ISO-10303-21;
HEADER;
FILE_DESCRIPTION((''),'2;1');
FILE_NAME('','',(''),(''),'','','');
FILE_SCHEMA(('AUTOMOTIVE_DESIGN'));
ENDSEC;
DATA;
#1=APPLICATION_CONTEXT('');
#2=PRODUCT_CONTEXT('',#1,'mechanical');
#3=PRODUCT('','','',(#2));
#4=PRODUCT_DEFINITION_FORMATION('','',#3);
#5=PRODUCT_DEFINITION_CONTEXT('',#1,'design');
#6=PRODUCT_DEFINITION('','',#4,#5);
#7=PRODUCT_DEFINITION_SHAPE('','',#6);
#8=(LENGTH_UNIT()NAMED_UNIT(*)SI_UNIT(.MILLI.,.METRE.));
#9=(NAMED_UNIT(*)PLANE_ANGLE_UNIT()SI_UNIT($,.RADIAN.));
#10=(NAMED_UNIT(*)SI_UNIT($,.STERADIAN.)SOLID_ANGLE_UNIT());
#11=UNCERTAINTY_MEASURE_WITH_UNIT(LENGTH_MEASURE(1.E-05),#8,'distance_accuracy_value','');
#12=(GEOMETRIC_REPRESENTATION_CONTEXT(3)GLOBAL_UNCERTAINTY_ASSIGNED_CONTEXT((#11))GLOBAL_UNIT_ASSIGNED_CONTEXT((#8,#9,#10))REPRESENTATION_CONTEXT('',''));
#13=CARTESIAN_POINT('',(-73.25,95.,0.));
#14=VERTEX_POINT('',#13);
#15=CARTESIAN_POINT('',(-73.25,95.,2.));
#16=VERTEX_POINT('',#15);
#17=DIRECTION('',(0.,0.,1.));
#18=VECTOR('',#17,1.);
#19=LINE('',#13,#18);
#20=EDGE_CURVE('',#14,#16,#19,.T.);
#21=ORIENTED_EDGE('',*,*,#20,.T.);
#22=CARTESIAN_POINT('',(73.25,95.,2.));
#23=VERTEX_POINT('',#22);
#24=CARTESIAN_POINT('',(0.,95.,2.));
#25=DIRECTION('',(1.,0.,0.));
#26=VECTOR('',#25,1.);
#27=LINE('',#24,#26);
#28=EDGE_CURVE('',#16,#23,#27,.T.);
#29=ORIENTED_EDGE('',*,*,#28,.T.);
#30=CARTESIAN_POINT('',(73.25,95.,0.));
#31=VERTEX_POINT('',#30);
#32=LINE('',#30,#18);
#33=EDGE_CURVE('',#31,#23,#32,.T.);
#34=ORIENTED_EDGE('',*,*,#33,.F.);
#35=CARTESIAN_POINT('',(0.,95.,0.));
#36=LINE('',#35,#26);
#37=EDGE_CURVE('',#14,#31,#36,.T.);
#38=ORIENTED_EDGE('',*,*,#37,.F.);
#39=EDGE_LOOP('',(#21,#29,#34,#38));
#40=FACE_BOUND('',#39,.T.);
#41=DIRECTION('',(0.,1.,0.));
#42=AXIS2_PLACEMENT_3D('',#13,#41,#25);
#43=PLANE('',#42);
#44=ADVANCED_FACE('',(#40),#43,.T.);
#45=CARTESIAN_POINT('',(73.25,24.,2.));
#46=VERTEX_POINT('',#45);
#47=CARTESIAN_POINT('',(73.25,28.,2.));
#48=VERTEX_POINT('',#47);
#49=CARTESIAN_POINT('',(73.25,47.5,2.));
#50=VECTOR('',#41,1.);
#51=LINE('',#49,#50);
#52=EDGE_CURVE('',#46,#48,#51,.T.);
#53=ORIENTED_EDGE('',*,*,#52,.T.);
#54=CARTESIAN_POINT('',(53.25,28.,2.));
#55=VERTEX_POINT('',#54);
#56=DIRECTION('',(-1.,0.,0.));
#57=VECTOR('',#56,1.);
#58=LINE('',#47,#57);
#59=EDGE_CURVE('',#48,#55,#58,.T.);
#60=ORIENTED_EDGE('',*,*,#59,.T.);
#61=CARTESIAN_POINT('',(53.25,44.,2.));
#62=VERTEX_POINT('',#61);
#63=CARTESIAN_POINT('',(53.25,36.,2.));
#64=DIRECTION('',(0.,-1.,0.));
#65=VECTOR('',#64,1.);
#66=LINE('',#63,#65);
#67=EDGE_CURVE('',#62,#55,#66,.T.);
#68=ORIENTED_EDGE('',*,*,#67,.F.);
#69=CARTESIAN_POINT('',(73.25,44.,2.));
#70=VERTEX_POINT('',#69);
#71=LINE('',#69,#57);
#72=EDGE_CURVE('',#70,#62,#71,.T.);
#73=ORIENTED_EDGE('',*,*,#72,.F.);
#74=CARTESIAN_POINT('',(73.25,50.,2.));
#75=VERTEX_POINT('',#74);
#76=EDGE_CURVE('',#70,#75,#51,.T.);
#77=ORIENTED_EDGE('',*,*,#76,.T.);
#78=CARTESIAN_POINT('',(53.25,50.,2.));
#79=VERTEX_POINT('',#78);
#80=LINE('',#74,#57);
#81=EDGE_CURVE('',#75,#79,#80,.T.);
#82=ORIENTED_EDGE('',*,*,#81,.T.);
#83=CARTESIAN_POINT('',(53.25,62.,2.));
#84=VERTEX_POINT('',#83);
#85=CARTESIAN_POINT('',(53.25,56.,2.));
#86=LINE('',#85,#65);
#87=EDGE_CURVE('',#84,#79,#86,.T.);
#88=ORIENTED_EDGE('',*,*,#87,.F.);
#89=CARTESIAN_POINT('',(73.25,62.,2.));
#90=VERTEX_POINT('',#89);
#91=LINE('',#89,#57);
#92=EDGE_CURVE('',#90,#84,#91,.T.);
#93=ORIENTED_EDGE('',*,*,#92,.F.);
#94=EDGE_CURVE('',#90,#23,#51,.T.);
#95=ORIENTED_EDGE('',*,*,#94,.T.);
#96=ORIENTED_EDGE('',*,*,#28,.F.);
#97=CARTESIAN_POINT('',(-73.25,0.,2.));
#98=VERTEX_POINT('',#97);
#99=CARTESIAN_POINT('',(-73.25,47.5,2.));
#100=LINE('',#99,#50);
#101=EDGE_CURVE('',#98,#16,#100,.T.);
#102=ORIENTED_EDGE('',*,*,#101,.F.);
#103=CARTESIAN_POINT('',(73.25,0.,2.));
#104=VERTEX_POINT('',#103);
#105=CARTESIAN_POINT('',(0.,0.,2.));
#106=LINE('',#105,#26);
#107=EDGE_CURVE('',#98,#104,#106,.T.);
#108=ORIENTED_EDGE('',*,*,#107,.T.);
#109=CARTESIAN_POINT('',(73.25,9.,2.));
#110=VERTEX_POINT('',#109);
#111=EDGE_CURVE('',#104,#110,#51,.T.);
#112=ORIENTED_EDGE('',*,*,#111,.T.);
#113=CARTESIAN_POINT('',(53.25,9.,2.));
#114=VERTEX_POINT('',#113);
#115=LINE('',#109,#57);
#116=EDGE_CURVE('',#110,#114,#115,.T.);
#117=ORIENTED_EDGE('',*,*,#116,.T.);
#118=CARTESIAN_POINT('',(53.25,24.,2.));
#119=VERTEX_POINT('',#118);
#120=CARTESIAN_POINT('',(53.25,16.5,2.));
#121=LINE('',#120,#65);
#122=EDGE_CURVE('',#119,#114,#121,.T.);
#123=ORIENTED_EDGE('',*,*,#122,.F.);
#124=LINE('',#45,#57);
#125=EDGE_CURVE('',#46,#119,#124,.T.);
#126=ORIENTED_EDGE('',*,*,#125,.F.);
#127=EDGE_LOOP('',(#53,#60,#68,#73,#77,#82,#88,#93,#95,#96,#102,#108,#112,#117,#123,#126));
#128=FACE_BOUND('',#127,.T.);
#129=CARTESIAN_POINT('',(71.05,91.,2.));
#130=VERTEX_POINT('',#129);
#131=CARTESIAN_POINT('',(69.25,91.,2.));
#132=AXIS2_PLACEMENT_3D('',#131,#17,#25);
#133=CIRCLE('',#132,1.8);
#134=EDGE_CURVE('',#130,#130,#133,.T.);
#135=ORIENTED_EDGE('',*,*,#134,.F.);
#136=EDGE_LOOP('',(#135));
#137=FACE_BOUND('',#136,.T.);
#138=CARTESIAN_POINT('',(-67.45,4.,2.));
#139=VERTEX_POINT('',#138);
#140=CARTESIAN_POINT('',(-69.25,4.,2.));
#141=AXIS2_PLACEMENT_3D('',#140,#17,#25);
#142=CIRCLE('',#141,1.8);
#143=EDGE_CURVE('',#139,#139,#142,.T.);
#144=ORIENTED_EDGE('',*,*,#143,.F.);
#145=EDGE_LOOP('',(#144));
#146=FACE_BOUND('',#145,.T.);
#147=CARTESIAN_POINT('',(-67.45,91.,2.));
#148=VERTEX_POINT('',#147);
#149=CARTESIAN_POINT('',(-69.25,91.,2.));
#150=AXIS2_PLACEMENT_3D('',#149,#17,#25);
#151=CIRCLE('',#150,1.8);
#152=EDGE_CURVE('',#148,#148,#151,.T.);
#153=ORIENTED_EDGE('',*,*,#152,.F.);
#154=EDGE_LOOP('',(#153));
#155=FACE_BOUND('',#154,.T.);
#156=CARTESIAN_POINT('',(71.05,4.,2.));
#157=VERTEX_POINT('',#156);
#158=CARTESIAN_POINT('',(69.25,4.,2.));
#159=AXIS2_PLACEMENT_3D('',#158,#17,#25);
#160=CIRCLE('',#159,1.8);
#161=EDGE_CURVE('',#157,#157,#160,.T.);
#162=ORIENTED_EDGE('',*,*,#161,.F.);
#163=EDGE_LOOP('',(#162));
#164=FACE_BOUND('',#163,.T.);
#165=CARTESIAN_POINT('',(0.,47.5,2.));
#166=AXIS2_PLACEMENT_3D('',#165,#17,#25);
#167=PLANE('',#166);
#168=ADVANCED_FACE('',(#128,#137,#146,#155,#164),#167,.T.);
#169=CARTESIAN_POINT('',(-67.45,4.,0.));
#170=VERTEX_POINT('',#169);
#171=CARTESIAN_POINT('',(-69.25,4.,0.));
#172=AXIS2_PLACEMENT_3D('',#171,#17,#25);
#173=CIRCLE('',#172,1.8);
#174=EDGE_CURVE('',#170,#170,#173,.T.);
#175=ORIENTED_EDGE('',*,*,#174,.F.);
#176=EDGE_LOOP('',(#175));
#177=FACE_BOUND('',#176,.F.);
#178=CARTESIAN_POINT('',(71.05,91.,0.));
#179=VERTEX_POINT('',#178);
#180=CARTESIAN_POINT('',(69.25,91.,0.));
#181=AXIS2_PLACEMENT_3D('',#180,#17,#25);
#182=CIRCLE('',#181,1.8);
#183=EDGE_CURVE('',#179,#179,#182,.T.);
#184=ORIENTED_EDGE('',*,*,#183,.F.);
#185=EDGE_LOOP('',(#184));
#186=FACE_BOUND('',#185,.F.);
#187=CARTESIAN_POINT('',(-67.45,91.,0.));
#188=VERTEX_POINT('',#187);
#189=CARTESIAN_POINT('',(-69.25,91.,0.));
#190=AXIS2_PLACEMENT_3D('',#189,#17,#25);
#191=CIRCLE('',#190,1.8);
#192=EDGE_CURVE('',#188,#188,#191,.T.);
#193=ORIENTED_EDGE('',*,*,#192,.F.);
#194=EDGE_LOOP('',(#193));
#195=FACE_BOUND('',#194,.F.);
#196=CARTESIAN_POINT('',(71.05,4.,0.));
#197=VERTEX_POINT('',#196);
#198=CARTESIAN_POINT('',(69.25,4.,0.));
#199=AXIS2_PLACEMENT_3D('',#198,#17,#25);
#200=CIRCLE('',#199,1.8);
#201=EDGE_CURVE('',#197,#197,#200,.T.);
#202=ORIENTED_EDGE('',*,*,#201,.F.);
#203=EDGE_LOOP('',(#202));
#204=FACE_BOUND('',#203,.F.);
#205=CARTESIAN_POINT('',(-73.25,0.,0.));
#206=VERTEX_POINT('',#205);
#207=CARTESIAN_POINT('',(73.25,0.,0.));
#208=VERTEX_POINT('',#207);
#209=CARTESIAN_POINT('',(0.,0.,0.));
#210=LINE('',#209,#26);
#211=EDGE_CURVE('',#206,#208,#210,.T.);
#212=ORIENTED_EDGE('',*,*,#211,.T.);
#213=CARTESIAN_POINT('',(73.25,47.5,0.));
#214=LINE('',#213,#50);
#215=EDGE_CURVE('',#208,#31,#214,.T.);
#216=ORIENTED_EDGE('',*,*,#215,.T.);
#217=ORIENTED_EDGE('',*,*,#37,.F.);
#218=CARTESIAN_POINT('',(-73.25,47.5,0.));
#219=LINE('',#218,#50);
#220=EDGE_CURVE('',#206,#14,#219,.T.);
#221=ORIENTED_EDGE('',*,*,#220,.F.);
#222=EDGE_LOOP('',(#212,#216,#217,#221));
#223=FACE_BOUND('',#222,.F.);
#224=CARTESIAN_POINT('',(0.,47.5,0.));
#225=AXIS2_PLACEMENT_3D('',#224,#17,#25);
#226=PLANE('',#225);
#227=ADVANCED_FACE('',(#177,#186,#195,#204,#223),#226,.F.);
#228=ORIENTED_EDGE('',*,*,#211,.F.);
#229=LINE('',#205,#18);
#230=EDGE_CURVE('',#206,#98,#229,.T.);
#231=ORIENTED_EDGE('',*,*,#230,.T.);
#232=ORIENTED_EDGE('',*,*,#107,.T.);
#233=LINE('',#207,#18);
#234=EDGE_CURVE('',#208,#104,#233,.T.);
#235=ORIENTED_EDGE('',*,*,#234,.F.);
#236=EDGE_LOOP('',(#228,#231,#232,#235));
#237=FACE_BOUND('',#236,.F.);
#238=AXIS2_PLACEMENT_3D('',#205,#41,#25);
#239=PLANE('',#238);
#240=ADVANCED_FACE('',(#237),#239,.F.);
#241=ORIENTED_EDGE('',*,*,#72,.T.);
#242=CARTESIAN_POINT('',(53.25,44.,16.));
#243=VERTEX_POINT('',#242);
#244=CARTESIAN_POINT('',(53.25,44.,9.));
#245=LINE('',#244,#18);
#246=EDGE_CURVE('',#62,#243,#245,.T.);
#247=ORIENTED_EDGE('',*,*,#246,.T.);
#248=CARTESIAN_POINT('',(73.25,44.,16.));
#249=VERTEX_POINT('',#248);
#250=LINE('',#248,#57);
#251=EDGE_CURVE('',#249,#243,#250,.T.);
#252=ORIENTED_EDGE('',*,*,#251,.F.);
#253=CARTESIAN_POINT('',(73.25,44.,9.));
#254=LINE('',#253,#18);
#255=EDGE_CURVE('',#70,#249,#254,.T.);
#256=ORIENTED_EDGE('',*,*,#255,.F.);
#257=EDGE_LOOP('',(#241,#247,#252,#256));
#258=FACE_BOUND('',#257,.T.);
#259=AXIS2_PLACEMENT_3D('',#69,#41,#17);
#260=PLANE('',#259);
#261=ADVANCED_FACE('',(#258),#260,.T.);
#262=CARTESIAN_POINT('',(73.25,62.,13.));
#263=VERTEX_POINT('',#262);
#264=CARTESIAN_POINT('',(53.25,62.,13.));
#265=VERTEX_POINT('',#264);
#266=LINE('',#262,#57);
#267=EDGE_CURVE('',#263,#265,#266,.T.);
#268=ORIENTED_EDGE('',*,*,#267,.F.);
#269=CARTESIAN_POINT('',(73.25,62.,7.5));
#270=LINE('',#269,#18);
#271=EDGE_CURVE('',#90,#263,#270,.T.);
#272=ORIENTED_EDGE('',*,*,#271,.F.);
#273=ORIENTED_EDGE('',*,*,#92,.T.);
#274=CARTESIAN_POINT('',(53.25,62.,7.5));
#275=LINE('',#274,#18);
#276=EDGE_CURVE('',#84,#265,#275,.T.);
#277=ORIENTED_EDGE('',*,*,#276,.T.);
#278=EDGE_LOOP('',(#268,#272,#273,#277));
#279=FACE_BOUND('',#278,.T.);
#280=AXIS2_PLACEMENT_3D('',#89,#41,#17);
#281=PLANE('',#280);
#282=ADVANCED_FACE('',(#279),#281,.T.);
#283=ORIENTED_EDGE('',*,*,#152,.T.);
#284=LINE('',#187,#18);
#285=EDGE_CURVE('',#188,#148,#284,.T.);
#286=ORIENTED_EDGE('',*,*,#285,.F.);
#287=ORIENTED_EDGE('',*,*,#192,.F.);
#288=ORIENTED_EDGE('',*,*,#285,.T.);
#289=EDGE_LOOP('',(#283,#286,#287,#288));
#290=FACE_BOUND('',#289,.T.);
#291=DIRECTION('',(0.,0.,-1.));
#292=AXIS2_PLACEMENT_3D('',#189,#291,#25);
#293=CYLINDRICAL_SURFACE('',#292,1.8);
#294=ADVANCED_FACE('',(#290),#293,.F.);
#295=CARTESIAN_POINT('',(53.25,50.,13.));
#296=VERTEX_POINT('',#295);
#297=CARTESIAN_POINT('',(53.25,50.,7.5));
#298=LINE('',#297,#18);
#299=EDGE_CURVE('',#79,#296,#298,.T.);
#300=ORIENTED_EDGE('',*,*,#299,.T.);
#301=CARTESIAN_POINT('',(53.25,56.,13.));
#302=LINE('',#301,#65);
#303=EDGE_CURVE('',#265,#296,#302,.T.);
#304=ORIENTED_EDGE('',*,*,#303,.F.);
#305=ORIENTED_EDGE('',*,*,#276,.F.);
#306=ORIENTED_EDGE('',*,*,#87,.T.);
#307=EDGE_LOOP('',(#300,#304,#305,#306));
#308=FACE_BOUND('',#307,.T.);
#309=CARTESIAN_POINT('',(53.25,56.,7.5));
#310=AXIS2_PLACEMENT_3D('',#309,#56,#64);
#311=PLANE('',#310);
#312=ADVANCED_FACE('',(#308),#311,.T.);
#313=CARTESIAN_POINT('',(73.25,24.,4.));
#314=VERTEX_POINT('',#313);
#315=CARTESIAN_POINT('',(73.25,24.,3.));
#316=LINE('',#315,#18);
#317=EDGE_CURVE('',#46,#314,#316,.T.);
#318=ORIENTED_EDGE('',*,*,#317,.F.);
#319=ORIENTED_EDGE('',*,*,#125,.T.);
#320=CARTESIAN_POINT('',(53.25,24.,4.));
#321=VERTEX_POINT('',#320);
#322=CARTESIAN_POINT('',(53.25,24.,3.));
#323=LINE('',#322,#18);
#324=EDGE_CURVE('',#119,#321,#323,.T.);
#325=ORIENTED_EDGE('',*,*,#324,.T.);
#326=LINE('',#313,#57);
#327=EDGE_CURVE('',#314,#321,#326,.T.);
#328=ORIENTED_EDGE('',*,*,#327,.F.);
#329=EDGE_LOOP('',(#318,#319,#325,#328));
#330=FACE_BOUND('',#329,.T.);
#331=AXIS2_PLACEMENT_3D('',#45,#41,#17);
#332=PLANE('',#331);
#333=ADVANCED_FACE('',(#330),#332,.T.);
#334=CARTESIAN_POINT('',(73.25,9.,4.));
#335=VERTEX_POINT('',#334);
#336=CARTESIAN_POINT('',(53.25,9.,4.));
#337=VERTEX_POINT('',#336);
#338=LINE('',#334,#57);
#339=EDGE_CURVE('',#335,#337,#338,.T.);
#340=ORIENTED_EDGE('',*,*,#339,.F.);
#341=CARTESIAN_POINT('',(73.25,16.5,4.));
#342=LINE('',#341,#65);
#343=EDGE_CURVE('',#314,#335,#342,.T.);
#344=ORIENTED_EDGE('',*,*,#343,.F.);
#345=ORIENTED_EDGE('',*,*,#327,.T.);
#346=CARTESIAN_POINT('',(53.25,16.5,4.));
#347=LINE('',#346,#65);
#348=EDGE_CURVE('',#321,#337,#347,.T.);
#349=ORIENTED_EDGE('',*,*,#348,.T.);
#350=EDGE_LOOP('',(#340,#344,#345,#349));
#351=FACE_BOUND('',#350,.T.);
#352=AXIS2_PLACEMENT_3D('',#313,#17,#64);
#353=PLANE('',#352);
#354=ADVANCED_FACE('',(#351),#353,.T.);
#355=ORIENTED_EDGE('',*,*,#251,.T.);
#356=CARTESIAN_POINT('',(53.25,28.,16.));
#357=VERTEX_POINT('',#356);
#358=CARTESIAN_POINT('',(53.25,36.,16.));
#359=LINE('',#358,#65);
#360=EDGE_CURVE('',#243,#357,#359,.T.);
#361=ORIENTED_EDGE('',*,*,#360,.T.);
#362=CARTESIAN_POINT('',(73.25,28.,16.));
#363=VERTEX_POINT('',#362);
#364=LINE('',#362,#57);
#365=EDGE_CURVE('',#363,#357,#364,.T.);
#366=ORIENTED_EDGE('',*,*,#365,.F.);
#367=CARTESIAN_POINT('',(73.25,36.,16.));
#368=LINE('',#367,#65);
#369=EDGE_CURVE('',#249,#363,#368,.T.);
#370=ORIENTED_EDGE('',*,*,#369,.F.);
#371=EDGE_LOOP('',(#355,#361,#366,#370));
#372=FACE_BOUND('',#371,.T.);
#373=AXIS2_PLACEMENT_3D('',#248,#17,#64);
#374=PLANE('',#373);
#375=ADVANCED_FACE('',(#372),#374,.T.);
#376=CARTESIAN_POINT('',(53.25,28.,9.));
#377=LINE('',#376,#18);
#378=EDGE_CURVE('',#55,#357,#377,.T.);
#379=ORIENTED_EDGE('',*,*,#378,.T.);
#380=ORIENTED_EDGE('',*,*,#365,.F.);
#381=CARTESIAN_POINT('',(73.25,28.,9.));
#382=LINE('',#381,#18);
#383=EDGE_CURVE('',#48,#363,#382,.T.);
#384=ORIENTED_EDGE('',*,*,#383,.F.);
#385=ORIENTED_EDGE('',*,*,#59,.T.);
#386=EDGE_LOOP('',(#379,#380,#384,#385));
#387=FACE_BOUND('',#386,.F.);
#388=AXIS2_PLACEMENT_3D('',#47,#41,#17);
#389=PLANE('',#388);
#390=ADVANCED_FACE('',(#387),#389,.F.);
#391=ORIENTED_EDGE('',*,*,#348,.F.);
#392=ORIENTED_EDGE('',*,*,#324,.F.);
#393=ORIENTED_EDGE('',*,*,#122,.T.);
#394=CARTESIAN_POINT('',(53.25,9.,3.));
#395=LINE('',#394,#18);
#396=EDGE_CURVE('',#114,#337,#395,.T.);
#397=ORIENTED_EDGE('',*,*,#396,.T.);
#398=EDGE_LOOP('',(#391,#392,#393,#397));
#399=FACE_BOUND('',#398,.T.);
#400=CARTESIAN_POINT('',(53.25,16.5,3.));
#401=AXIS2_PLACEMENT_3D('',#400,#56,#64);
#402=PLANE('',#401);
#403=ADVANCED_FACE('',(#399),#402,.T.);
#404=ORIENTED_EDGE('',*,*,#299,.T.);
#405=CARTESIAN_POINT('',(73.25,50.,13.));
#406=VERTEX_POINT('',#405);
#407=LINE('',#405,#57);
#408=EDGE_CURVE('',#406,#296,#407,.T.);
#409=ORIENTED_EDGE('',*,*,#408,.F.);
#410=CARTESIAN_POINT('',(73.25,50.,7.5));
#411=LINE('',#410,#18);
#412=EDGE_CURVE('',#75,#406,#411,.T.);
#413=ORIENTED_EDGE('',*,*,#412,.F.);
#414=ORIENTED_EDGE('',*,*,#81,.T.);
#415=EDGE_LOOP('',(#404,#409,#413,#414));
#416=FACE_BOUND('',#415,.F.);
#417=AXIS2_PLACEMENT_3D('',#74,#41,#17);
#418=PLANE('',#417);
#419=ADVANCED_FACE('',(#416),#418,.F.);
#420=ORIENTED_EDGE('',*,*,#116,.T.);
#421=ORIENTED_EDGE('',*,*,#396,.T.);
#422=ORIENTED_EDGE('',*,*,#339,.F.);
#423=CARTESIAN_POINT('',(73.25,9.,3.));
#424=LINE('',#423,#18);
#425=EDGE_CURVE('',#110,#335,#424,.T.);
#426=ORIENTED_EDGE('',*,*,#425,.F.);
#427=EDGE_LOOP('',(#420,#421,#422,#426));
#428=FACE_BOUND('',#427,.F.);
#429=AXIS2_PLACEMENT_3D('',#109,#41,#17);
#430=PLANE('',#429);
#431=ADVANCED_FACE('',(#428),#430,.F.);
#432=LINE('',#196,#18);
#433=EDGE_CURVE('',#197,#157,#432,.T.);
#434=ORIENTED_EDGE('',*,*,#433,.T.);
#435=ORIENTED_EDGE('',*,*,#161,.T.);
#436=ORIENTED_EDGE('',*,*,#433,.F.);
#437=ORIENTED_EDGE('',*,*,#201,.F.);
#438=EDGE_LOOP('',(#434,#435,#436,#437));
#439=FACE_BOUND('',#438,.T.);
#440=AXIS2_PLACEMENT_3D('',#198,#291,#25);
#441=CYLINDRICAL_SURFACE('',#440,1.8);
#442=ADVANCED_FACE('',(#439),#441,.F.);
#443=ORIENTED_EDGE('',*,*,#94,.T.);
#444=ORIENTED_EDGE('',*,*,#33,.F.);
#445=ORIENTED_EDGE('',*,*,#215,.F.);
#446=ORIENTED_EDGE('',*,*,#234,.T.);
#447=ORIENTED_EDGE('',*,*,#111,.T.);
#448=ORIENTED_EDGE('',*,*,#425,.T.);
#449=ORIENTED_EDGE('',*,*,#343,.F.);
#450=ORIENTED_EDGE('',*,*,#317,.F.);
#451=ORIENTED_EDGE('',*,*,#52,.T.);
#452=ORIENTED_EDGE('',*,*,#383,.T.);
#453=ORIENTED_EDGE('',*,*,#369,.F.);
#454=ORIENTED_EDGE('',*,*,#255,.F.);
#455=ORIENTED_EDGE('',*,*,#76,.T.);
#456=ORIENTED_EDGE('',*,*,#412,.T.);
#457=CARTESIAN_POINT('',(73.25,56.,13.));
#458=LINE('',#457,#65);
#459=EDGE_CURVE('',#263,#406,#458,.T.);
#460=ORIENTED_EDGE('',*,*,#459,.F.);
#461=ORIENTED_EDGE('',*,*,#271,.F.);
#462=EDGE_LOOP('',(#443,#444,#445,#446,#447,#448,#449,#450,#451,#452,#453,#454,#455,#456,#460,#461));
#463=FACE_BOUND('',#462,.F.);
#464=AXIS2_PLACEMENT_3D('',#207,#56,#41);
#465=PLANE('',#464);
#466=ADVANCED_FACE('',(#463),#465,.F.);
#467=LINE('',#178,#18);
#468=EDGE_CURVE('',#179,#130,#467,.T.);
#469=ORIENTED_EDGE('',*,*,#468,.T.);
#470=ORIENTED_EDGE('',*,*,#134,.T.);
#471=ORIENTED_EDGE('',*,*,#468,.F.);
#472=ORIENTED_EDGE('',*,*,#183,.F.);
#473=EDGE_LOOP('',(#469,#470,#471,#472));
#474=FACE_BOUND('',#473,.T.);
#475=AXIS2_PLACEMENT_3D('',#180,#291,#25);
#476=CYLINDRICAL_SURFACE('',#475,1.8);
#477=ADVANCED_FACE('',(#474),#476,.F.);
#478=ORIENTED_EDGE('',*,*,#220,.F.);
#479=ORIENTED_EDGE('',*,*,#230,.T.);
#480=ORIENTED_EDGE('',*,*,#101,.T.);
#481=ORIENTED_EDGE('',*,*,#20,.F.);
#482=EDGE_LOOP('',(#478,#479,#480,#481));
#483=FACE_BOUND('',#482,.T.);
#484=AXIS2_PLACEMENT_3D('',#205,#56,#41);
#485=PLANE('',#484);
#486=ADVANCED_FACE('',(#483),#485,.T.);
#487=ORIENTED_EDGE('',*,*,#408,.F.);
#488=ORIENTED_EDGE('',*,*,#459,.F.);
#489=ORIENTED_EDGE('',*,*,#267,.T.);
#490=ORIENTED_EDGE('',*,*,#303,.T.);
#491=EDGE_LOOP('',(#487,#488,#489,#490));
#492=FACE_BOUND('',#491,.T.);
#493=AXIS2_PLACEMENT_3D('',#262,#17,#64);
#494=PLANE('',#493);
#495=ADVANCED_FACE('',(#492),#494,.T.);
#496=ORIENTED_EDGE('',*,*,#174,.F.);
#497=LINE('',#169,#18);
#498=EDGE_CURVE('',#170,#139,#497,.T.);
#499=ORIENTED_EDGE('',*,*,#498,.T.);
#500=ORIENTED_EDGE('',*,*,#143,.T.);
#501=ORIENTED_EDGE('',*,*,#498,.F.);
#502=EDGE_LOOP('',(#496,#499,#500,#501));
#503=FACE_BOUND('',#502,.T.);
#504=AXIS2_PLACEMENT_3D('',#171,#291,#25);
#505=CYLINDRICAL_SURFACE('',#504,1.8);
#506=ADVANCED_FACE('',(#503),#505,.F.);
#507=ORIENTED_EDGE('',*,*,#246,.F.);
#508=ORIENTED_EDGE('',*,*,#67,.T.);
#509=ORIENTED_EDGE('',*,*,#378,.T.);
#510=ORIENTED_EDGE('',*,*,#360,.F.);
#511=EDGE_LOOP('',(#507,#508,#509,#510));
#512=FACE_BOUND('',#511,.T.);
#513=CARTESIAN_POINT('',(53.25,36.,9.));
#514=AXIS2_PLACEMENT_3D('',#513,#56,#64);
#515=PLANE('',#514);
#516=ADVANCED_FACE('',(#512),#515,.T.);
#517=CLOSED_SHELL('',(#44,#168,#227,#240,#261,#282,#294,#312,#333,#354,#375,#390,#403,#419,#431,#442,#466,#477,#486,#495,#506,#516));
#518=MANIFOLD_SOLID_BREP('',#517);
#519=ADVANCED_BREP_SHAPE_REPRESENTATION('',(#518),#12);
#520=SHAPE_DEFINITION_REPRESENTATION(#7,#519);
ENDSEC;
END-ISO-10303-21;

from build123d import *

# Parameters (mm, degrees)
SKETCH001_W   = 15
SKETCH001_H   = 2
SKETCH001_W_2 = 16
SKETCH001_H_2 = 14
SKETCH001_W_3 = 12
SKETCH001_H_3 = 11
PAD001_DEPTH  = 20
SKETCH_W      = 146.5
SKETCH_H      = 95
SKETCH_R      = 1.8
PAD_DEPTH     = 2


with BuildPart() as pad001:
    # Sketch001 → Pad001 (new body)
    with BuildSketch(Plane(origin=(73.25, 0, 0), x_dir=(0, -1, 0), z_dir=(-1, 0, 0))):
        with Locations((-16.5, 3)):
            Rectangle(SKETCH001_W, SKETCH001_H)
        with Locations((-36, 9)):
            Rectangle(SKETCH001_W_2, SKETCH001_H_2)
        with Locations((-56, 7.5)):
            Rectangle(SKETCH001_W_3, SKETCH001_H_3)
    extrude(amount=PAD001_DEPTH)


with BuildPart() as fusion:
    # Sketch → Pad (new body)
    with BuildSketch(Plane.XY):
        with Locations((0, 47.5)):
            Rectangle(SKETCH_W, SKETCH_H)
        with Locations((-69.25, 91)):
            Circle(SKETCH_R, mode=Mode.SUBTRACT)
        with Locations((69.25, 91)):
            Circle(SKETCH_R, mode=Mode.SUBTRACT)
        with Locations((69.25, 4)):
            Circle(SKETCH_R, mode=Mode.SUBTRACT)
        with Locations((-69.25, 4)):
            Circle(SKETCH_R, mode=Mode.SUBTRACT)
    extrude(amount=PAD_DEPTH)

    # Fusion: union Pad001
    add(pad001.part)


solid = fusion.part
